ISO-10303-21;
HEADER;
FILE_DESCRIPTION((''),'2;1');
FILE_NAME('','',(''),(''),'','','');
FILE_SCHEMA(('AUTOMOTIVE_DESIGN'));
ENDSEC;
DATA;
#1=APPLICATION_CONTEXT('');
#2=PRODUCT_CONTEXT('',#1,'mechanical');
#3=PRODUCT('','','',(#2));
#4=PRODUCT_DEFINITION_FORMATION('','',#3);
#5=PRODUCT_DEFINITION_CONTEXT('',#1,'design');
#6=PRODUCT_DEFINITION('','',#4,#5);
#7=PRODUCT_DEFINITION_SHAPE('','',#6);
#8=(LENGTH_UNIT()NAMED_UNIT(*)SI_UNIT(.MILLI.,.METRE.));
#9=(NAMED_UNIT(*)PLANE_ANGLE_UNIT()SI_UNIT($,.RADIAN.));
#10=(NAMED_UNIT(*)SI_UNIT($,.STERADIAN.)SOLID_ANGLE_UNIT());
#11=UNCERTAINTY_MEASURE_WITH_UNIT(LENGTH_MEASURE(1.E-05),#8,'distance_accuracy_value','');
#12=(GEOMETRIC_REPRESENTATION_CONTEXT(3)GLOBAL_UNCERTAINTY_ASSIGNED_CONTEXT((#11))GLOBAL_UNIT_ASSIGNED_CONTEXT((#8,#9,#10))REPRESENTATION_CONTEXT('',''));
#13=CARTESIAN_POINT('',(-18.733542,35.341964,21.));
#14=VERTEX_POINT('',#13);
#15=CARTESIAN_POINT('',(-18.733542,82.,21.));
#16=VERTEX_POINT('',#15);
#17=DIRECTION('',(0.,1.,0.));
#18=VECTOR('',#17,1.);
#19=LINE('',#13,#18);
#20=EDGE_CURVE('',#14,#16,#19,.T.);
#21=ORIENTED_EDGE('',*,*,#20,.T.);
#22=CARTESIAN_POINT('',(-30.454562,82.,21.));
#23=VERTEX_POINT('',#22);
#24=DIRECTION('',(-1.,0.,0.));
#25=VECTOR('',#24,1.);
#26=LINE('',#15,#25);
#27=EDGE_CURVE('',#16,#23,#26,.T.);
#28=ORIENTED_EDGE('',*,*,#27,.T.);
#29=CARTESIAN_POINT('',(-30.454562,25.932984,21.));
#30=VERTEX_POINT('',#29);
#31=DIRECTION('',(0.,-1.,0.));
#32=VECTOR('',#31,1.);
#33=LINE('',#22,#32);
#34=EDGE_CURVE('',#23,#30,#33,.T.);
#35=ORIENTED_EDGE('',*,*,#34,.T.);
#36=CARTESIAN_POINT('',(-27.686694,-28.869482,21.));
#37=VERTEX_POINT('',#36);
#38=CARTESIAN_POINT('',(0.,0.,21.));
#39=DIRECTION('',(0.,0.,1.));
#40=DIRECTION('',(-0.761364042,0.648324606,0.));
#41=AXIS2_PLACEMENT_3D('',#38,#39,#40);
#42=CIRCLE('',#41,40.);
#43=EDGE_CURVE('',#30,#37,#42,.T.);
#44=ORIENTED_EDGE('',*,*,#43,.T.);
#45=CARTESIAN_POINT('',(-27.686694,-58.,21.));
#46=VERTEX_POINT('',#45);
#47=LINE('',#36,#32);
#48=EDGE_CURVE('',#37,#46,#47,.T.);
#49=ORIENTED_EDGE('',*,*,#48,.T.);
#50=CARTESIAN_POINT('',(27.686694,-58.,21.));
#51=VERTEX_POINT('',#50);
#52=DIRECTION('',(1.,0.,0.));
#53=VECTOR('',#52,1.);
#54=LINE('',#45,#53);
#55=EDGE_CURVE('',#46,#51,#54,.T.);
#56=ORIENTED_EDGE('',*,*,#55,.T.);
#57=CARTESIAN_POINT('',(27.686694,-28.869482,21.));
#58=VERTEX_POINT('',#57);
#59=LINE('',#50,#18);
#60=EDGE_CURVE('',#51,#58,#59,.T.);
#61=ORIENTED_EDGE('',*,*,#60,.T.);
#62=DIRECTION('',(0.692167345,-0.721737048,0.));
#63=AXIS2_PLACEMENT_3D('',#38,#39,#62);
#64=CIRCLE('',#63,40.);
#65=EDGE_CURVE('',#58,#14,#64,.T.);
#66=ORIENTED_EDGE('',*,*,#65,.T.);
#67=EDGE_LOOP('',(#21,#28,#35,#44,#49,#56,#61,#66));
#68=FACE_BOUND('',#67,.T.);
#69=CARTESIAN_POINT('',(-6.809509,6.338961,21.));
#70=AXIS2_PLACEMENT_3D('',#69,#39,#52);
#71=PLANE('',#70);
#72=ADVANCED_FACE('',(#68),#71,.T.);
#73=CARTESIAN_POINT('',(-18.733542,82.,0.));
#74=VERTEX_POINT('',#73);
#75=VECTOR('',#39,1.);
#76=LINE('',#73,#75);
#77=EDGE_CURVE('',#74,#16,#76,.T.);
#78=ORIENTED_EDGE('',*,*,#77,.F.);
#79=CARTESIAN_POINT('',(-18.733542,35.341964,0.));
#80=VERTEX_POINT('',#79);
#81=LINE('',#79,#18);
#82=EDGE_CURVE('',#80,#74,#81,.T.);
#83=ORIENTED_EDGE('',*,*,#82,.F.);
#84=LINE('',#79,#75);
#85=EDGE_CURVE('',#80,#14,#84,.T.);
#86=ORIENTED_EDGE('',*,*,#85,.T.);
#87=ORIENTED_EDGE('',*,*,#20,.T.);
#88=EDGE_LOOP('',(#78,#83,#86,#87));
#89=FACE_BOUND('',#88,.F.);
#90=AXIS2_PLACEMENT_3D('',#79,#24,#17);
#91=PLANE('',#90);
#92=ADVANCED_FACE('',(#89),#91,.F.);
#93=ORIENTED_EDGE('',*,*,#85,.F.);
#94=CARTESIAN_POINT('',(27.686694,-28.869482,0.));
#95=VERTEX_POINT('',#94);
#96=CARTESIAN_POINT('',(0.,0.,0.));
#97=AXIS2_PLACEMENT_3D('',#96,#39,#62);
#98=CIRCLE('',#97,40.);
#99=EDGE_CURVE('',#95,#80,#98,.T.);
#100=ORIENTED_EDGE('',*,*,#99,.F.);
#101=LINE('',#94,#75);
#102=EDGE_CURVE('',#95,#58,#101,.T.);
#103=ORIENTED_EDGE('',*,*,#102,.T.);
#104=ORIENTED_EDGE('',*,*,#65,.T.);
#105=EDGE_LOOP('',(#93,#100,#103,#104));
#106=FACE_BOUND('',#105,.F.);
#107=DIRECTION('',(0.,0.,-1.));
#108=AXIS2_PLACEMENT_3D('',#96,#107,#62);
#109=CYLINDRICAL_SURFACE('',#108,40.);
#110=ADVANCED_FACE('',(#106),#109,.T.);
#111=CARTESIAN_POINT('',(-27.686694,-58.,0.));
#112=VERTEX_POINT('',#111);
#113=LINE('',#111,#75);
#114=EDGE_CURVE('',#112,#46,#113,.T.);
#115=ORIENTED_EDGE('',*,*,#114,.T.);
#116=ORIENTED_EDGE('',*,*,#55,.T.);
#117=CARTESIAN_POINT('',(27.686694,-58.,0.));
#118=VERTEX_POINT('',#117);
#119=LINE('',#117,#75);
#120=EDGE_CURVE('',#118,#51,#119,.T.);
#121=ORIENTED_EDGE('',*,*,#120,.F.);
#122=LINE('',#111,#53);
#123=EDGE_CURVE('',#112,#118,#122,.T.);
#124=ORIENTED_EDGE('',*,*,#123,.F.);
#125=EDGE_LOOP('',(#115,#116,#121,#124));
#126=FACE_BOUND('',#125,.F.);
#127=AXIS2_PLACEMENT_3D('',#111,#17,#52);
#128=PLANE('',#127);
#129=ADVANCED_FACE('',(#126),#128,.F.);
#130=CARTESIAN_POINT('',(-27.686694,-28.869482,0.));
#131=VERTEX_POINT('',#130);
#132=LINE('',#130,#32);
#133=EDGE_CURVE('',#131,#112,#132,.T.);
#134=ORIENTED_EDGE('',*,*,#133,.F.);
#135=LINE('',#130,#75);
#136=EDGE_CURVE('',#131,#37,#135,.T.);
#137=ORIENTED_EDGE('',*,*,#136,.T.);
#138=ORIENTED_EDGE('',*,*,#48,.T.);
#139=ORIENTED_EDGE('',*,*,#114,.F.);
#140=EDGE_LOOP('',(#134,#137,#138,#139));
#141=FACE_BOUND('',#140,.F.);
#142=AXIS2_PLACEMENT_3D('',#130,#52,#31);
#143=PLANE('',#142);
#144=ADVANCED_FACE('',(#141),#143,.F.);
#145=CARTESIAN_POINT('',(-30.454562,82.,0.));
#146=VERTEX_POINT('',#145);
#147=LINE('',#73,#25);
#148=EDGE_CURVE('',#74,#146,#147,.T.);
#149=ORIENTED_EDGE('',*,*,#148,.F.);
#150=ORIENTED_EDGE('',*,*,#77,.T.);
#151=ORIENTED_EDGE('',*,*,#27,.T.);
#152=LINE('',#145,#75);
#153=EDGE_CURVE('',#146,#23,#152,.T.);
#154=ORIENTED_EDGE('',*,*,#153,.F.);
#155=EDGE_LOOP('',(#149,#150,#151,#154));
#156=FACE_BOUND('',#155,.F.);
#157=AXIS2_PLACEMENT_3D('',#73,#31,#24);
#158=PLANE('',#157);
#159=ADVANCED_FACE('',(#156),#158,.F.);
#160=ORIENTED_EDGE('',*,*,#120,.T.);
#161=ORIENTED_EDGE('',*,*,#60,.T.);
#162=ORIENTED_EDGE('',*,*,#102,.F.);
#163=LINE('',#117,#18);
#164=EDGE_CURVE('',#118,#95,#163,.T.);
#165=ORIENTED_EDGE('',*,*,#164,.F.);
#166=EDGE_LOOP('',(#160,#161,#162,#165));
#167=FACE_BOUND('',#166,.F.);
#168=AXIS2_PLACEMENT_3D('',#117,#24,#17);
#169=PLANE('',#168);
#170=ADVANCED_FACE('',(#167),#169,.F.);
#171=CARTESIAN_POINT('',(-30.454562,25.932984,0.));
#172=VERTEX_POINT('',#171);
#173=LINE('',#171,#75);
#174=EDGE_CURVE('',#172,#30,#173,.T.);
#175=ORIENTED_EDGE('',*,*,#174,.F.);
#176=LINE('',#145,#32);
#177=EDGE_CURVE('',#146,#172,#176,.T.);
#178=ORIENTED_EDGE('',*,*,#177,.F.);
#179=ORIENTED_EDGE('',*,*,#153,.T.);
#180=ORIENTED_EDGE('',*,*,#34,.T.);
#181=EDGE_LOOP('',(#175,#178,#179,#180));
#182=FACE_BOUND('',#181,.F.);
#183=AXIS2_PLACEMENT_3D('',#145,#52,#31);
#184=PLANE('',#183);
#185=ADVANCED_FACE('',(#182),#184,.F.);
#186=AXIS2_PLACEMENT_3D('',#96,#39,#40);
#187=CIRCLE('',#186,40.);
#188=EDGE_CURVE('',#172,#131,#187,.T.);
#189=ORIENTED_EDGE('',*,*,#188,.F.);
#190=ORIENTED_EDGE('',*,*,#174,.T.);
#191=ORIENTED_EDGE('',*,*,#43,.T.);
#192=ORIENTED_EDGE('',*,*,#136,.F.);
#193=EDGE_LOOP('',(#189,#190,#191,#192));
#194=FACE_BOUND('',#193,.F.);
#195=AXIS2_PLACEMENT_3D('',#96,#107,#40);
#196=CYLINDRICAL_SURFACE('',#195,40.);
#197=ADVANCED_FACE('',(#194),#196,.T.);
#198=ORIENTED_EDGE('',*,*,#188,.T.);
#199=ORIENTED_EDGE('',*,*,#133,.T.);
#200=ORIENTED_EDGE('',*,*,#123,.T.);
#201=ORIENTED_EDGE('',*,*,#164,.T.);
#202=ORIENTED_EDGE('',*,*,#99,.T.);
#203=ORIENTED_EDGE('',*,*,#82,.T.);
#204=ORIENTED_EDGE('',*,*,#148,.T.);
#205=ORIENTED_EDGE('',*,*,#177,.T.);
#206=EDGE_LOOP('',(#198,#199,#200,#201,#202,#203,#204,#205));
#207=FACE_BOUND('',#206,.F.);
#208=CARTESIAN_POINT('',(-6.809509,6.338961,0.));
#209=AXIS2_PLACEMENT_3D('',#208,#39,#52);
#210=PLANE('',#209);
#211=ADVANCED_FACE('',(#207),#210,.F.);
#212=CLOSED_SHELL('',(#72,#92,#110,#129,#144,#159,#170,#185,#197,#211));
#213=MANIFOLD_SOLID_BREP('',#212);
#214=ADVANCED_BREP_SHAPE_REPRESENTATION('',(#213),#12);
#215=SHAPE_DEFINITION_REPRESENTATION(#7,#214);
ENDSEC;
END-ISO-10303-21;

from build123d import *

# Parameters (mm, degrees)
F1_DEPTH = 21


with BuildPart() as f1:
    # F0 (on Top) → F1 (new body)
    with BuildSketch(Plane.XY):
        with BuildLine():
            Line((27.686694, -58), (27.686694, -28.869482))
            ThreePointArc((27.686694, -28.869482), (32.41631, 23.434651), (-18.733542, 35.341964))
            Line((-18.733542, 35.341964), (-18.733542, 82))
            Line((-18.733542, 82), (-30.454562, 82))
            Line((-30.454562, 82), (-30.454562, 25.932984))
            ThreePointArc((-30.454562, 25.932984), (-39.94908, -2.017679), (-27.686694, -28.869482))
            Line((-27.686694, -28.869482), (-27.686694, -58))
            Line((-27.686694, -58), (27.686694, -58))
        make_face()
    extrude(amount=F1_DEPTH)


solid = f1.part
